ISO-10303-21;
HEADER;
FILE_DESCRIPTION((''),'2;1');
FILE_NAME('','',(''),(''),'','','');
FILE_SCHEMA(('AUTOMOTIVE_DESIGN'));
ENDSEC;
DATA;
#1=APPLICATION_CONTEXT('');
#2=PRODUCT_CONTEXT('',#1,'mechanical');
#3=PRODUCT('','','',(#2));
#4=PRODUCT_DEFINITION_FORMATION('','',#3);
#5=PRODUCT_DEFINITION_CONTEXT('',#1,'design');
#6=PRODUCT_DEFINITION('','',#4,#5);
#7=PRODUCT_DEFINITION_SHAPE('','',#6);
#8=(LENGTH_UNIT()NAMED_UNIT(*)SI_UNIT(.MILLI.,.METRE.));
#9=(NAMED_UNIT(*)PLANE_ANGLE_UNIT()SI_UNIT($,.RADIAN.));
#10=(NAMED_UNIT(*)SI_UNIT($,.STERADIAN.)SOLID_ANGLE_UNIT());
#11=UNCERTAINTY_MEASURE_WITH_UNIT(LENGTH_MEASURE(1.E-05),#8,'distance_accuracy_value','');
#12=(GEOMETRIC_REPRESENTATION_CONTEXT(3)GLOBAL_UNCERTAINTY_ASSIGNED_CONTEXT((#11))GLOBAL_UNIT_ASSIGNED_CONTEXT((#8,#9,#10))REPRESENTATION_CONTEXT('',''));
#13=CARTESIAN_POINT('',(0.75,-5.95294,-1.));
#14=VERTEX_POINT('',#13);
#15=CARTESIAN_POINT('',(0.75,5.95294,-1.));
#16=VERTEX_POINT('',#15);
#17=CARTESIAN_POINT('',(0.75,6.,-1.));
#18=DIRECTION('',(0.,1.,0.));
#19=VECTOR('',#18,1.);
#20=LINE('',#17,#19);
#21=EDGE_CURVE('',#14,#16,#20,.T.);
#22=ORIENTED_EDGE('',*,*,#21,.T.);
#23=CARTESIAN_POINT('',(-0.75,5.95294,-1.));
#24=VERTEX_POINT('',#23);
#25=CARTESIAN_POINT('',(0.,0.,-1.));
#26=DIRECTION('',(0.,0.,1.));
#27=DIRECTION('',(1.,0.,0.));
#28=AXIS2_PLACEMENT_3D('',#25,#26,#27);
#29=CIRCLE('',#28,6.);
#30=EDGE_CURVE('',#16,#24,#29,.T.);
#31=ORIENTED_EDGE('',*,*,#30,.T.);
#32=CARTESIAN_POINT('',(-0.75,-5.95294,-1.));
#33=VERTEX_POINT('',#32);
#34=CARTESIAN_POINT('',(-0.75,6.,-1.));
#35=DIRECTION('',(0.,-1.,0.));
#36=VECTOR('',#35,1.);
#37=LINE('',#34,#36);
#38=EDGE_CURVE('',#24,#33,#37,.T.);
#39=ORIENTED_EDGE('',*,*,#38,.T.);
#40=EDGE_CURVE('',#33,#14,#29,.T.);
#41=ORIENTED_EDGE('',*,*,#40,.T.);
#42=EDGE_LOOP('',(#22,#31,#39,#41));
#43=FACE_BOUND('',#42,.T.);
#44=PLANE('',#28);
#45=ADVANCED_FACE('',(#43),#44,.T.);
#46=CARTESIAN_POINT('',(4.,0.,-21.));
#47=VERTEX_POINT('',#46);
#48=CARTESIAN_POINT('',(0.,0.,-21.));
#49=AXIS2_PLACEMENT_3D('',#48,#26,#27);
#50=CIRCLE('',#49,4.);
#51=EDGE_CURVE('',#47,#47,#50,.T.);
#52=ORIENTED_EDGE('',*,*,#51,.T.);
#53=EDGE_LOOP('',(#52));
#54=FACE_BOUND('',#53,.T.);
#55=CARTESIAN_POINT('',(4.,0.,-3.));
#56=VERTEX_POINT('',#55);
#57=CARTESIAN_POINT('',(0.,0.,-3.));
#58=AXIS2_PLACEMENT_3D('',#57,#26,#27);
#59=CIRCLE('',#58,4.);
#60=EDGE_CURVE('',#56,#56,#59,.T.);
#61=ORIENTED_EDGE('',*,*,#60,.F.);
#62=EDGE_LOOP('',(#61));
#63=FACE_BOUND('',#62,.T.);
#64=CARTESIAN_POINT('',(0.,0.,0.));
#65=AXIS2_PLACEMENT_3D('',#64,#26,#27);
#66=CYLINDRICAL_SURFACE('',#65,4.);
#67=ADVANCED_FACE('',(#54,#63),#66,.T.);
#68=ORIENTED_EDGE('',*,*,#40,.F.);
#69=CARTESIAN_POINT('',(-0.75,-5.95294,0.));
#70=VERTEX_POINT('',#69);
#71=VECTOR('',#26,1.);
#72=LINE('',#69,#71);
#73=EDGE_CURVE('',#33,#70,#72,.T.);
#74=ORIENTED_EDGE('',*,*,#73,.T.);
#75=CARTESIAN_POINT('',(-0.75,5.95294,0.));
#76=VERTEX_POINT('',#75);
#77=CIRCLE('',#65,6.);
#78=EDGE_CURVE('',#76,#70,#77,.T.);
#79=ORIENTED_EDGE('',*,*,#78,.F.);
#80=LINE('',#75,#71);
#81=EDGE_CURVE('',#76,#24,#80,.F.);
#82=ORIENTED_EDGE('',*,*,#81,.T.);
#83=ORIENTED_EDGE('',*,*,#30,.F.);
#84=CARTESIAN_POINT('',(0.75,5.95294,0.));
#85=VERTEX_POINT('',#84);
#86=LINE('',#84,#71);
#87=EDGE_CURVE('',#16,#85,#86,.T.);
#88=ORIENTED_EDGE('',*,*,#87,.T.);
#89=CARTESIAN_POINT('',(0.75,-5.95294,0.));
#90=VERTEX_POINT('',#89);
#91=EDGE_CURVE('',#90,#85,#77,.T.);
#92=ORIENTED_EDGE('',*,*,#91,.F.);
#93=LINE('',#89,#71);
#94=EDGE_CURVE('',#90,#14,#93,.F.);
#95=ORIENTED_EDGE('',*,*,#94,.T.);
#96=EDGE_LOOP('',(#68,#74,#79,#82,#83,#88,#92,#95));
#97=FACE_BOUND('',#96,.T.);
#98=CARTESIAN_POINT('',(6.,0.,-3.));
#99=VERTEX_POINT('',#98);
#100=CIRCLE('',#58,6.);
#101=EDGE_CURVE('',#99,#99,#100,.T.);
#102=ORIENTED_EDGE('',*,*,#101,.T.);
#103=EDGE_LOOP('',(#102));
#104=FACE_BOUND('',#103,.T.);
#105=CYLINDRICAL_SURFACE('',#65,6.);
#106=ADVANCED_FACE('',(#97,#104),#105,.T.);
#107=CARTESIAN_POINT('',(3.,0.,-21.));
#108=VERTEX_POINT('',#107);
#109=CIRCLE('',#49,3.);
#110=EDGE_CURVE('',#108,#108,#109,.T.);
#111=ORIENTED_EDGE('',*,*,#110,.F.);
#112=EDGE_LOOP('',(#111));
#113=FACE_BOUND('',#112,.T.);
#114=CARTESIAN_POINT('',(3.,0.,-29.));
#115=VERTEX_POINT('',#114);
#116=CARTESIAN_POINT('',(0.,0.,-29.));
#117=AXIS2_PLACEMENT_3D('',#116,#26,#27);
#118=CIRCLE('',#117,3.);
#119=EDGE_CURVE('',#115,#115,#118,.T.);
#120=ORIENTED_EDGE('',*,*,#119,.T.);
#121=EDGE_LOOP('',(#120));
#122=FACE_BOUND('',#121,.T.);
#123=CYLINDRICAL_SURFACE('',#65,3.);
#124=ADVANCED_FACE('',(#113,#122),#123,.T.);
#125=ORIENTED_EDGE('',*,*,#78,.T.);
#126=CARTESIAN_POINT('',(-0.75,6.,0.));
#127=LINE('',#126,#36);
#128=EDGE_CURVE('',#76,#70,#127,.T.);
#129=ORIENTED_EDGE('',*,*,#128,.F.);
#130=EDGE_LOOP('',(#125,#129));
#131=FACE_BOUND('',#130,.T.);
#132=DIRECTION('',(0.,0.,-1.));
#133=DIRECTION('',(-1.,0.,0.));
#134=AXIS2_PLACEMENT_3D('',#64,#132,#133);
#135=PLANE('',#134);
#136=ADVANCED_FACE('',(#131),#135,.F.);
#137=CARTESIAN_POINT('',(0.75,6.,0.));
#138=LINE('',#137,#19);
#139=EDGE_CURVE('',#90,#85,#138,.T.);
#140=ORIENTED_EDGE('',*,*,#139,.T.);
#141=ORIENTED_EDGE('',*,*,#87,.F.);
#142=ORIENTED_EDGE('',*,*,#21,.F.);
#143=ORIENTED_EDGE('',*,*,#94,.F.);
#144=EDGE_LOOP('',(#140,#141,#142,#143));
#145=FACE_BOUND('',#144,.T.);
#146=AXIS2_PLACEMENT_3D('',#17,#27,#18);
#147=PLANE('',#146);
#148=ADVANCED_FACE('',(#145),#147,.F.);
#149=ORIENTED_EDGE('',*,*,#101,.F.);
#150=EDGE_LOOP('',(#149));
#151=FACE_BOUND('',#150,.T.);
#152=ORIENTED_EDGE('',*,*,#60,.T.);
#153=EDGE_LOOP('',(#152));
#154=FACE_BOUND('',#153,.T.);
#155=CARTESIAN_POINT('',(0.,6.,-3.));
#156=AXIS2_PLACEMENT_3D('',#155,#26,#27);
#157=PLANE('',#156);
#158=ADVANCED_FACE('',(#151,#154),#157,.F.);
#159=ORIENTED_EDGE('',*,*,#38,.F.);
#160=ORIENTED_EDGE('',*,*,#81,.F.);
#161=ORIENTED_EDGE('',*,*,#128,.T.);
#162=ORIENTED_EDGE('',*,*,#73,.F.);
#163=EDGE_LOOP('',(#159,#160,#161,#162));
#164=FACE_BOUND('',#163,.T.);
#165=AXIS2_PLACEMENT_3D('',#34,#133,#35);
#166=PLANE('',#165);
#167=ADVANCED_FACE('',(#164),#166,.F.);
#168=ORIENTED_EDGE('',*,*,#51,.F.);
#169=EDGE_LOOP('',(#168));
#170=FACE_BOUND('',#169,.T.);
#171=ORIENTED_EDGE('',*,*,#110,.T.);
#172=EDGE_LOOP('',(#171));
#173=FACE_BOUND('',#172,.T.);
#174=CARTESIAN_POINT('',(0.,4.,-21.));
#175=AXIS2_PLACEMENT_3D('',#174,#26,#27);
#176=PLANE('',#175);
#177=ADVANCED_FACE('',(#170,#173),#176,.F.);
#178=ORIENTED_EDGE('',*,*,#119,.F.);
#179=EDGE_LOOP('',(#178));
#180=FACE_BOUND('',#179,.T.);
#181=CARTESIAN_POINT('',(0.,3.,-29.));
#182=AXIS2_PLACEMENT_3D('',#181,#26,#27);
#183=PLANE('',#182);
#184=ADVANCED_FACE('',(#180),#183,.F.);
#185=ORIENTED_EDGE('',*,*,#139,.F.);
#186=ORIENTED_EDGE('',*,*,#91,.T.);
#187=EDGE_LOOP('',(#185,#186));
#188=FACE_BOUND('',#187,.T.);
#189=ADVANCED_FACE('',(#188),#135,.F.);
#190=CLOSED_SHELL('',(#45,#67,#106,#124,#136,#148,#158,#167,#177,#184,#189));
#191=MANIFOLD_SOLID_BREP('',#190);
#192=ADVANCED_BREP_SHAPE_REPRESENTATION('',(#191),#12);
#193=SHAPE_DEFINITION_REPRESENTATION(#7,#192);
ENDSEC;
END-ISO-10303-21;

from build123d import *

# Parameters (mm, degrees)
SKETCH_3_W          = 1.5
SKETCH_3_H          = 12
CUT_EXTRUDE_1_DEPTH = 1


with BuildPart() as part:
    # 草图2 → 旋转1 (revolve)
    with BuildSketch(Plane(origin=(0, 0, 0), x_dir=(0, 0, -1), z_dir=(1, 0, 0))):
        Polygon((0, 0), (0, 6), (3, 6), (3, 4), (21, 4), (21, 3), (29, 3), (29, 0), align=None)
    revolve(axis=Axis((0, 0, 0), (0, 0, -1)))

    # 草图3 → 切除-拉伸1 (cut)
    with BuildSketch(Plane.XY):
        Rectangle(SKETCH_3_W, SKETCH_3_H)
    extrude(amount=-CUT_EXTRUDE_1_DEPTH, mode=Mode.SUBTRACT)


solid = part.part
